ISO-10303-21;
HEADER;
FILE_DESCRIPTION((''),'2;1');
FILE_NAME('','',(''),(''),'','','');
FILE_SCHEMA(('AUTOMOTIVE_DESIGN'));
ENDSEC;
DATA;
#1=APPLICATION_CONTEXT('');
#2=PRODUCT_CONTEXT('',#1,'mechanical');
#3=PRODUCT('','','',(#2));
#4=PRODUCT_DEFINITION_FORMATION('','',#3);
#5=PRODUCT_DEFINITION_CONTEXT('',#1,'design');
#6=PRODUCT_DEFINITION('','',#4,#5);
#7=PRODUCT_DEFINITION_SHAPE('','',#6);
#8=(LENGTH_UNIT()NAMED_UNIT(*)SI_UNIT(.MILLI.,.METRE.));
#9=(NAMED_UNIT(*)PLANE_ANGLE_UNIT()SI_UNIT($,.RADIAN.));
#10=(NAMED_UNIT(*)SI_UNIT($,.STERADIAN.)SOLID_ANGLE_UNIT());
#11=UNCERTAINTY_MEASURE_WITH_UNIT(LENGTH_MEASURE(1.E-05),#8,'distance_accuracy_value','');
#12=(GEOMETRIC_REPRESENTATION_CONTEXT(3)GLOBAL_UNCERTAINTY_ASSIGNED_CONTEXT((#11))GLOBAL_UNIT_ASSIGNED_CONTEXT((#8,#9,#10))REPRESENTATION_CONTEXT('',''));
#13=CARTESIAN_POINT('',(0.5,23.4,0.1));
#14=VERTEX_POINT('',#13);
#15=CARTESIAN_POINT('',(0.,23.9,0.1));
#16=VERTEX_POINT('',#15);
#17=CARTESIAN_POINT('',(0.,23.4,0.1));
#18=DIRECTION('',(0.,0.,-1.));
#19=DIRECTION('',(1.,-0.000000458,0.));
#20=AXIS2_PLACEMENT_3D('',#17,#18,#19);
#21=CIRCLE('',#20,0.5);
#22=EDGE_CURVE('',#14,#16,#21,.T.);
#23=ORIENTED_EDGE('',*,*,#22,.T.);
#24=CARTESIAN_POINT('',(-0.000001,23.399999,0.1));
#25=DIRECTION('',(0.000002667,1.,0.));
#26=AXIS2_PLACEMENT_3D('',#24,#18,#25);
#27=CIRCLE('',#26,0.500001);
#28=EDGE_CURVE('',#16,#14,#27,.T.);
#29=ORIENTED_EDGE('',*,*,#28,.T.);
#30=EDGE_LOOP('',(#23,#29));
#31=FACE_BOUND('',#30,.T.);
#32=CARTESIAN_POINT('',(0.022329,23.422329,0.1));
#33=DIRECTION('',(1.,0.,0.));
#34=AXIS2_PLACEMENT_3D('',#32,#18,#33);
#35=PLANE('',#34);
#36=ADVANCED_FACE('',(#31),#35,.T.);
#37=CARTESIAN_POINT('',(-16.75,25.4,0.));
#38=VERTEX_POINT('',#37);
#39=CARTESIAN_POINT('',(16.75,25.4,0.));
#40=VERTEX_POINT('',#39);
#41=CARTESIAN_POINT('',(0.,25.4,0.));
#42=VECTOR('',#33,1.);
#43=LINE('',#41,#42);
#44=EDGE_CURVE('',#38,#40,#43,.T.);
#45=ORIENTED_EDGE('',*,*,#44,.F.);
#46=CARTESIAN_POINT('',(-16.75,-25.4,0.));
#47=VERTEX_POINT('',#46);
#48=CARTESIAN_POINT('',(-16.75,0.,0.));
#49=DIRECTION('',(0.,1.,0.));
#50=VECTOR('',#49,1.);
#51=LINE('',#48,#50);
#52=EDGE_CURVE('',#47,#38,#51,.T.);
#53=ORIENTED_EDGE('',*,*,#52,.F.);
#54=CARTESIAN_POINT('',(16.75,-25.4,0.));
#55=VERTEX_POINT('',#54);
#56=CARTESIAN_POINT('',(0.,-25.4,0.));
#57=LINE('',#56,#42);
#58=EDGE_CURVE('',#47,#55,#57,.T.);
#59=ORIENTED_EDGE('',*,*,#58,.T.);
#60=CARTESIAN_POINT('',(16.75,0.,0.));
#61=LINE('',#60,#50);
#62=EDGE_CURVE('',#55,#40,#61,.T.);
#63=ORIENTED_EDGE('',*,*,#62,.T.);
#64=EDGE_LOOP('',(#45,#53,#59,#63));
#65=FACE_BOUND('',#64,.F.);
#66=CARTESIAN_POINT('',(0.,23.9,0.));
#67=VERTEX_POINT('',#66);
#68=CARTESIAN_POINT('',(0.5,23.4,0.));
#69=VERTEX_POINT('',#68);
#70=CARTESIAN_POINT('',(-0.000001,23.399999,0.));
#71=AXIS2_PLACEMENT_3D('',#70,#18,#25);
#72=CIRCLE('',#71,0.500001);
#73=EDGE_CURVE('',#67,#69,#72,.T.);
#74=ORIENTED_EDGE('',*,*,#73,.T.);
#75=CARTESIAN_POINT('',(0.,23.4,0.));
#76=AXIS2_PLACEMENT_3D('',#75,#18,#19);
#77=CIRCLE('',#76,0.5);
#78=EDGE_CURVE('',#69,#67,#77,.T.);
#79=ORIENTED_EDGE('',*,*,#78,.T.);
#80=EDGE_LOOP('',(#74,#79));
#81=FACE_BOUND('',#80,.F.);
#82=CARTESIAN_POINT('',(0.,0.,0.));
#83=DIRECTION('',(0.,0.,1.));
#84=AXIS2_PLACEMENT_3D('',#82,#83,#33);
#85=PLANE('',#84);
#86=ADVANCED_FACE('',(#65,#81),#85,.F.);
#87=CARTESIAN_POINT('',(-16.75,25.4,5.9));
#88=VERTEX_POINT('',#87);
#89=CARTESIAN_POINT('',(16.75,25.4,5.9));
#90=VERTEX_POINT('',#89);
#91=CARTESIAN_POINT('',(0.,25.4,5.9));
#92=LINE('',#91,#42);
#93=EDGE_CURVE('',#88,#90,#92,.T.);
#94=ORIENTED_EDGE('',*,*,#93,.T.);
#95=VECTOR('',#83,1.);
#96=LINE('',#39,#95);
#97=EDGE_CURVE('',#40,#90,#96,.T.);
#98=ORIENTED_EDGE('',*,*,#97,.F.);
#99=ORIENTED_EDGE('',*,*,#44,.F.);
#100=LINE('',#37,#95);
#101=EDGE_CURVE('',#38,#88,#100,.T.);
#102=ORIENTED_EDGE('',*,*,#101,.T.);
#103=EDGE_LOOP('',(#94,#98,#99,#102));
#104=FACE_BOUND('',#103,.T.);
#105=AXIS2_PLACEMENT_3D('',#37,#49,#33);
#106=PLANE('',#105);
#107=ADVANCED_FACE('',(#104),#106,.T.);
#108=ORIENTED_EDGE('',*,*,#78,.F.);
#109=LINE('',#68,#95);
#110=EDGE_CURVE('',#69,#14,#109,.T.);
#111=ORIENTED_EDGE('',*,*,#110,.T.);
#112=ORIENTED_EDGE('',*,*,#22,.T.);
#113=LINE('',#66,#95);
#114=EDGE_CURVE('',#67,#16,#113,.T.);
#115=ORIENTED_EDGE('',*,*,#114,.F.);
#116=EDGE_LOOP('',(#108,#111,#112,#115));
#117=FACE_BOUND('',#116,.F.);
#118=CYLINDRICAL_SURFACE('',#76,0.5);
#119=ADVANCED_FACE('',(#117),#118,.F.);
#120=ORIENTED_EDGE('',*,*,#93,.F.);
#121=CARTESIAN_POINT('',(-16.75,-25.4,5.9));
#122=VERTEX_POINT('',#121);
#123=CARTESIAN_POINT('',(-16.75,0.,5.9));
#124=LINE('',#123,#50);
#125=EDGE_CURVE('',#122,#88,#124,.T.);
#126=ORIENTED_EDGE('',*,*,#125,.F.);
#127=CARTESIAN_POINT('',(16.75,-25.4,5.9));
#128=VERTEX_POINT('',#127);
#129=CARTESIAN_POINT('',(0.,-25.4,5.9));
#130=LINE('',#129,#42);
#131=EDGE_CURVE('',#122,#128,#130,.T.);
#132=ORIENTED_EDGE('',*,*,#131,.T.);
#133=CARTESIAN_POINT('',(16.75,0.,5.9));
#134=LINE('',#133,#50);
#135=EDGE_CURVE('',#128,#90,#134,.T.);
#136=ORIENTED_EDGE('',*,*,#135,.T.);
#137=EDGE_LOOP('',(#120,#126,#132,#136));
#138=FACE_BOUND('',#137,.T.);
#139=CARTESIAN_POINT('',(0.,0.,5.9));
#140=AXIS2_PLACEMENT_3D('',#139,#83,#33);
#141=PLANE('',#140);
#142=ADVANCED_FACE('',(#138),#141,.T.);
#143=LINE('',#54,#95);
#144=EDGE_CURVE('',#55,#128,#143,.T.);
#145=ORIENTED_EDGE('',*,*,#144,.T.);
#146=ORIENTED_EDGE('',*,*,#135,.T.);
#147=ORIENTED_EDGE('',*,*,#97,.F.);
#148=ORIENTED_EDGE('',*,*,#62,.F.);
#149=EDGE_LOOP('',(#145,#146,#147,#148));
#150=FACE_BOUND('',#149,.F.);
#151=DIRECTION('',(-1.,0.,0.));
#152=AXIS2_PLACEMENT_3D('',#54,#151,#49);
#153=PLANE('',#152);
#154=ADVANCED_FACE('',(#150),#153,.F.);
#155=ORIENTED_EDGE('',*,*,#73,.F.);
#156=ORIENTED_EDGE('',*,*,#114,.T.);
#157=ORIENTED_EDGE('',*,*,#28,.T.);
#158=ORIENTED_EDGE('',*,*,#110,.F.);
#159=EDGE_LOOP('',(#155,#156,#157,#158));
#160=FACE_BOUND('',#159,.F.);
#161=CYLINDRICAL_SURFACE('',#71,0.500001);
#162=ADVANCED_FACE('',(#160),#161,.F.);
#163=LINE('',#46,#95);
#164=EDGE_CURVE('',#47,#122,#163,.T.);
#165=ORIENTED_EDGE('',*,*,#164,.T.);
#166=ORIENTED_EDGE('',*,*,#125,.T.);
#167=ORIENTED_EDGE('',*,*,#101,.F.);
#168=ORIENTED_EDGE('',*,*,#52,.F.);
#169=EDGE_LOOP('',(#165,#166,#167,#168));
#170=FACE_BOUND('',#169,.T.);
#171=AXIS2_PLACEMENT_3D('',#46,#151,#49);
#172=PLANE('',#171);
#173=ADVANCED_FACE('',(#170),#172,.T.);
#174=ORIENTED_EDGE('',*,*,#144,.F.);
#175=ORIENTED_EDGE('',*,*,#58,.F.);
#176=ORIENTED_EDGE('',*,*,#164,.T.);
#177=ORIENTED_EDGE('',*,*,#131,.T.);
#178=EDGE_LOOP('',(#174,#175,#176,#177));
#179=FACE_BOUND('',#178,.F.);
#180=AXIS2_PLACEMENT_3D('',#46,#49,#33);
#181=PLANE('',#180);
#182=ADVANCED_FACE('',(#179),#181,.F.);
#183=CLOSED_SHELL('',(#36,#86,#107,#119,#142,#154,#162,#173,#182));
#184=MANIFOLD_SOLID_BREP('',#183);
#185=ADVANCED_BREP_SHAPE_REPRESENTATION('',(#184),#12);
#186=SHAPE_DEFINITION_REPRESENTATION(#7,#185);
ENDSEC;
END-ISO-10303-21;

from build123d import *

# Parameters (mm, degrees)
F0_W     = 33.5
F0_H     = 50.8
F1_DEPTH = 5.9
F3_DEPTH = 0.1


with BuildPart() as f1:
    # F0 (on Top) → F1 (new body)
    with BuildSketch(Plane.XY):
        Rectangle(F0_W, F0_H)
    extrude(amount=F1_DEPTH)

    # F2 (on face) → F3 (cut)
    with BuildSketch(Plane(origin=(0, 0, 0), x_dir=(1, 0, 0), z_dir=(0, 0, -1))):
        with BuildLine():
            ThreePointArc((0.5, -23.4), (-0.353553, -23.046447), (0, -23.9))
            ThreePointArc((0, -23.9), (0.353553, -23.753553), (0.5, -23.4))
        make_face()
    extrude(amount=-F3_DEPTH, mode=Mode.SUBTRACT)


solid = f1.part
